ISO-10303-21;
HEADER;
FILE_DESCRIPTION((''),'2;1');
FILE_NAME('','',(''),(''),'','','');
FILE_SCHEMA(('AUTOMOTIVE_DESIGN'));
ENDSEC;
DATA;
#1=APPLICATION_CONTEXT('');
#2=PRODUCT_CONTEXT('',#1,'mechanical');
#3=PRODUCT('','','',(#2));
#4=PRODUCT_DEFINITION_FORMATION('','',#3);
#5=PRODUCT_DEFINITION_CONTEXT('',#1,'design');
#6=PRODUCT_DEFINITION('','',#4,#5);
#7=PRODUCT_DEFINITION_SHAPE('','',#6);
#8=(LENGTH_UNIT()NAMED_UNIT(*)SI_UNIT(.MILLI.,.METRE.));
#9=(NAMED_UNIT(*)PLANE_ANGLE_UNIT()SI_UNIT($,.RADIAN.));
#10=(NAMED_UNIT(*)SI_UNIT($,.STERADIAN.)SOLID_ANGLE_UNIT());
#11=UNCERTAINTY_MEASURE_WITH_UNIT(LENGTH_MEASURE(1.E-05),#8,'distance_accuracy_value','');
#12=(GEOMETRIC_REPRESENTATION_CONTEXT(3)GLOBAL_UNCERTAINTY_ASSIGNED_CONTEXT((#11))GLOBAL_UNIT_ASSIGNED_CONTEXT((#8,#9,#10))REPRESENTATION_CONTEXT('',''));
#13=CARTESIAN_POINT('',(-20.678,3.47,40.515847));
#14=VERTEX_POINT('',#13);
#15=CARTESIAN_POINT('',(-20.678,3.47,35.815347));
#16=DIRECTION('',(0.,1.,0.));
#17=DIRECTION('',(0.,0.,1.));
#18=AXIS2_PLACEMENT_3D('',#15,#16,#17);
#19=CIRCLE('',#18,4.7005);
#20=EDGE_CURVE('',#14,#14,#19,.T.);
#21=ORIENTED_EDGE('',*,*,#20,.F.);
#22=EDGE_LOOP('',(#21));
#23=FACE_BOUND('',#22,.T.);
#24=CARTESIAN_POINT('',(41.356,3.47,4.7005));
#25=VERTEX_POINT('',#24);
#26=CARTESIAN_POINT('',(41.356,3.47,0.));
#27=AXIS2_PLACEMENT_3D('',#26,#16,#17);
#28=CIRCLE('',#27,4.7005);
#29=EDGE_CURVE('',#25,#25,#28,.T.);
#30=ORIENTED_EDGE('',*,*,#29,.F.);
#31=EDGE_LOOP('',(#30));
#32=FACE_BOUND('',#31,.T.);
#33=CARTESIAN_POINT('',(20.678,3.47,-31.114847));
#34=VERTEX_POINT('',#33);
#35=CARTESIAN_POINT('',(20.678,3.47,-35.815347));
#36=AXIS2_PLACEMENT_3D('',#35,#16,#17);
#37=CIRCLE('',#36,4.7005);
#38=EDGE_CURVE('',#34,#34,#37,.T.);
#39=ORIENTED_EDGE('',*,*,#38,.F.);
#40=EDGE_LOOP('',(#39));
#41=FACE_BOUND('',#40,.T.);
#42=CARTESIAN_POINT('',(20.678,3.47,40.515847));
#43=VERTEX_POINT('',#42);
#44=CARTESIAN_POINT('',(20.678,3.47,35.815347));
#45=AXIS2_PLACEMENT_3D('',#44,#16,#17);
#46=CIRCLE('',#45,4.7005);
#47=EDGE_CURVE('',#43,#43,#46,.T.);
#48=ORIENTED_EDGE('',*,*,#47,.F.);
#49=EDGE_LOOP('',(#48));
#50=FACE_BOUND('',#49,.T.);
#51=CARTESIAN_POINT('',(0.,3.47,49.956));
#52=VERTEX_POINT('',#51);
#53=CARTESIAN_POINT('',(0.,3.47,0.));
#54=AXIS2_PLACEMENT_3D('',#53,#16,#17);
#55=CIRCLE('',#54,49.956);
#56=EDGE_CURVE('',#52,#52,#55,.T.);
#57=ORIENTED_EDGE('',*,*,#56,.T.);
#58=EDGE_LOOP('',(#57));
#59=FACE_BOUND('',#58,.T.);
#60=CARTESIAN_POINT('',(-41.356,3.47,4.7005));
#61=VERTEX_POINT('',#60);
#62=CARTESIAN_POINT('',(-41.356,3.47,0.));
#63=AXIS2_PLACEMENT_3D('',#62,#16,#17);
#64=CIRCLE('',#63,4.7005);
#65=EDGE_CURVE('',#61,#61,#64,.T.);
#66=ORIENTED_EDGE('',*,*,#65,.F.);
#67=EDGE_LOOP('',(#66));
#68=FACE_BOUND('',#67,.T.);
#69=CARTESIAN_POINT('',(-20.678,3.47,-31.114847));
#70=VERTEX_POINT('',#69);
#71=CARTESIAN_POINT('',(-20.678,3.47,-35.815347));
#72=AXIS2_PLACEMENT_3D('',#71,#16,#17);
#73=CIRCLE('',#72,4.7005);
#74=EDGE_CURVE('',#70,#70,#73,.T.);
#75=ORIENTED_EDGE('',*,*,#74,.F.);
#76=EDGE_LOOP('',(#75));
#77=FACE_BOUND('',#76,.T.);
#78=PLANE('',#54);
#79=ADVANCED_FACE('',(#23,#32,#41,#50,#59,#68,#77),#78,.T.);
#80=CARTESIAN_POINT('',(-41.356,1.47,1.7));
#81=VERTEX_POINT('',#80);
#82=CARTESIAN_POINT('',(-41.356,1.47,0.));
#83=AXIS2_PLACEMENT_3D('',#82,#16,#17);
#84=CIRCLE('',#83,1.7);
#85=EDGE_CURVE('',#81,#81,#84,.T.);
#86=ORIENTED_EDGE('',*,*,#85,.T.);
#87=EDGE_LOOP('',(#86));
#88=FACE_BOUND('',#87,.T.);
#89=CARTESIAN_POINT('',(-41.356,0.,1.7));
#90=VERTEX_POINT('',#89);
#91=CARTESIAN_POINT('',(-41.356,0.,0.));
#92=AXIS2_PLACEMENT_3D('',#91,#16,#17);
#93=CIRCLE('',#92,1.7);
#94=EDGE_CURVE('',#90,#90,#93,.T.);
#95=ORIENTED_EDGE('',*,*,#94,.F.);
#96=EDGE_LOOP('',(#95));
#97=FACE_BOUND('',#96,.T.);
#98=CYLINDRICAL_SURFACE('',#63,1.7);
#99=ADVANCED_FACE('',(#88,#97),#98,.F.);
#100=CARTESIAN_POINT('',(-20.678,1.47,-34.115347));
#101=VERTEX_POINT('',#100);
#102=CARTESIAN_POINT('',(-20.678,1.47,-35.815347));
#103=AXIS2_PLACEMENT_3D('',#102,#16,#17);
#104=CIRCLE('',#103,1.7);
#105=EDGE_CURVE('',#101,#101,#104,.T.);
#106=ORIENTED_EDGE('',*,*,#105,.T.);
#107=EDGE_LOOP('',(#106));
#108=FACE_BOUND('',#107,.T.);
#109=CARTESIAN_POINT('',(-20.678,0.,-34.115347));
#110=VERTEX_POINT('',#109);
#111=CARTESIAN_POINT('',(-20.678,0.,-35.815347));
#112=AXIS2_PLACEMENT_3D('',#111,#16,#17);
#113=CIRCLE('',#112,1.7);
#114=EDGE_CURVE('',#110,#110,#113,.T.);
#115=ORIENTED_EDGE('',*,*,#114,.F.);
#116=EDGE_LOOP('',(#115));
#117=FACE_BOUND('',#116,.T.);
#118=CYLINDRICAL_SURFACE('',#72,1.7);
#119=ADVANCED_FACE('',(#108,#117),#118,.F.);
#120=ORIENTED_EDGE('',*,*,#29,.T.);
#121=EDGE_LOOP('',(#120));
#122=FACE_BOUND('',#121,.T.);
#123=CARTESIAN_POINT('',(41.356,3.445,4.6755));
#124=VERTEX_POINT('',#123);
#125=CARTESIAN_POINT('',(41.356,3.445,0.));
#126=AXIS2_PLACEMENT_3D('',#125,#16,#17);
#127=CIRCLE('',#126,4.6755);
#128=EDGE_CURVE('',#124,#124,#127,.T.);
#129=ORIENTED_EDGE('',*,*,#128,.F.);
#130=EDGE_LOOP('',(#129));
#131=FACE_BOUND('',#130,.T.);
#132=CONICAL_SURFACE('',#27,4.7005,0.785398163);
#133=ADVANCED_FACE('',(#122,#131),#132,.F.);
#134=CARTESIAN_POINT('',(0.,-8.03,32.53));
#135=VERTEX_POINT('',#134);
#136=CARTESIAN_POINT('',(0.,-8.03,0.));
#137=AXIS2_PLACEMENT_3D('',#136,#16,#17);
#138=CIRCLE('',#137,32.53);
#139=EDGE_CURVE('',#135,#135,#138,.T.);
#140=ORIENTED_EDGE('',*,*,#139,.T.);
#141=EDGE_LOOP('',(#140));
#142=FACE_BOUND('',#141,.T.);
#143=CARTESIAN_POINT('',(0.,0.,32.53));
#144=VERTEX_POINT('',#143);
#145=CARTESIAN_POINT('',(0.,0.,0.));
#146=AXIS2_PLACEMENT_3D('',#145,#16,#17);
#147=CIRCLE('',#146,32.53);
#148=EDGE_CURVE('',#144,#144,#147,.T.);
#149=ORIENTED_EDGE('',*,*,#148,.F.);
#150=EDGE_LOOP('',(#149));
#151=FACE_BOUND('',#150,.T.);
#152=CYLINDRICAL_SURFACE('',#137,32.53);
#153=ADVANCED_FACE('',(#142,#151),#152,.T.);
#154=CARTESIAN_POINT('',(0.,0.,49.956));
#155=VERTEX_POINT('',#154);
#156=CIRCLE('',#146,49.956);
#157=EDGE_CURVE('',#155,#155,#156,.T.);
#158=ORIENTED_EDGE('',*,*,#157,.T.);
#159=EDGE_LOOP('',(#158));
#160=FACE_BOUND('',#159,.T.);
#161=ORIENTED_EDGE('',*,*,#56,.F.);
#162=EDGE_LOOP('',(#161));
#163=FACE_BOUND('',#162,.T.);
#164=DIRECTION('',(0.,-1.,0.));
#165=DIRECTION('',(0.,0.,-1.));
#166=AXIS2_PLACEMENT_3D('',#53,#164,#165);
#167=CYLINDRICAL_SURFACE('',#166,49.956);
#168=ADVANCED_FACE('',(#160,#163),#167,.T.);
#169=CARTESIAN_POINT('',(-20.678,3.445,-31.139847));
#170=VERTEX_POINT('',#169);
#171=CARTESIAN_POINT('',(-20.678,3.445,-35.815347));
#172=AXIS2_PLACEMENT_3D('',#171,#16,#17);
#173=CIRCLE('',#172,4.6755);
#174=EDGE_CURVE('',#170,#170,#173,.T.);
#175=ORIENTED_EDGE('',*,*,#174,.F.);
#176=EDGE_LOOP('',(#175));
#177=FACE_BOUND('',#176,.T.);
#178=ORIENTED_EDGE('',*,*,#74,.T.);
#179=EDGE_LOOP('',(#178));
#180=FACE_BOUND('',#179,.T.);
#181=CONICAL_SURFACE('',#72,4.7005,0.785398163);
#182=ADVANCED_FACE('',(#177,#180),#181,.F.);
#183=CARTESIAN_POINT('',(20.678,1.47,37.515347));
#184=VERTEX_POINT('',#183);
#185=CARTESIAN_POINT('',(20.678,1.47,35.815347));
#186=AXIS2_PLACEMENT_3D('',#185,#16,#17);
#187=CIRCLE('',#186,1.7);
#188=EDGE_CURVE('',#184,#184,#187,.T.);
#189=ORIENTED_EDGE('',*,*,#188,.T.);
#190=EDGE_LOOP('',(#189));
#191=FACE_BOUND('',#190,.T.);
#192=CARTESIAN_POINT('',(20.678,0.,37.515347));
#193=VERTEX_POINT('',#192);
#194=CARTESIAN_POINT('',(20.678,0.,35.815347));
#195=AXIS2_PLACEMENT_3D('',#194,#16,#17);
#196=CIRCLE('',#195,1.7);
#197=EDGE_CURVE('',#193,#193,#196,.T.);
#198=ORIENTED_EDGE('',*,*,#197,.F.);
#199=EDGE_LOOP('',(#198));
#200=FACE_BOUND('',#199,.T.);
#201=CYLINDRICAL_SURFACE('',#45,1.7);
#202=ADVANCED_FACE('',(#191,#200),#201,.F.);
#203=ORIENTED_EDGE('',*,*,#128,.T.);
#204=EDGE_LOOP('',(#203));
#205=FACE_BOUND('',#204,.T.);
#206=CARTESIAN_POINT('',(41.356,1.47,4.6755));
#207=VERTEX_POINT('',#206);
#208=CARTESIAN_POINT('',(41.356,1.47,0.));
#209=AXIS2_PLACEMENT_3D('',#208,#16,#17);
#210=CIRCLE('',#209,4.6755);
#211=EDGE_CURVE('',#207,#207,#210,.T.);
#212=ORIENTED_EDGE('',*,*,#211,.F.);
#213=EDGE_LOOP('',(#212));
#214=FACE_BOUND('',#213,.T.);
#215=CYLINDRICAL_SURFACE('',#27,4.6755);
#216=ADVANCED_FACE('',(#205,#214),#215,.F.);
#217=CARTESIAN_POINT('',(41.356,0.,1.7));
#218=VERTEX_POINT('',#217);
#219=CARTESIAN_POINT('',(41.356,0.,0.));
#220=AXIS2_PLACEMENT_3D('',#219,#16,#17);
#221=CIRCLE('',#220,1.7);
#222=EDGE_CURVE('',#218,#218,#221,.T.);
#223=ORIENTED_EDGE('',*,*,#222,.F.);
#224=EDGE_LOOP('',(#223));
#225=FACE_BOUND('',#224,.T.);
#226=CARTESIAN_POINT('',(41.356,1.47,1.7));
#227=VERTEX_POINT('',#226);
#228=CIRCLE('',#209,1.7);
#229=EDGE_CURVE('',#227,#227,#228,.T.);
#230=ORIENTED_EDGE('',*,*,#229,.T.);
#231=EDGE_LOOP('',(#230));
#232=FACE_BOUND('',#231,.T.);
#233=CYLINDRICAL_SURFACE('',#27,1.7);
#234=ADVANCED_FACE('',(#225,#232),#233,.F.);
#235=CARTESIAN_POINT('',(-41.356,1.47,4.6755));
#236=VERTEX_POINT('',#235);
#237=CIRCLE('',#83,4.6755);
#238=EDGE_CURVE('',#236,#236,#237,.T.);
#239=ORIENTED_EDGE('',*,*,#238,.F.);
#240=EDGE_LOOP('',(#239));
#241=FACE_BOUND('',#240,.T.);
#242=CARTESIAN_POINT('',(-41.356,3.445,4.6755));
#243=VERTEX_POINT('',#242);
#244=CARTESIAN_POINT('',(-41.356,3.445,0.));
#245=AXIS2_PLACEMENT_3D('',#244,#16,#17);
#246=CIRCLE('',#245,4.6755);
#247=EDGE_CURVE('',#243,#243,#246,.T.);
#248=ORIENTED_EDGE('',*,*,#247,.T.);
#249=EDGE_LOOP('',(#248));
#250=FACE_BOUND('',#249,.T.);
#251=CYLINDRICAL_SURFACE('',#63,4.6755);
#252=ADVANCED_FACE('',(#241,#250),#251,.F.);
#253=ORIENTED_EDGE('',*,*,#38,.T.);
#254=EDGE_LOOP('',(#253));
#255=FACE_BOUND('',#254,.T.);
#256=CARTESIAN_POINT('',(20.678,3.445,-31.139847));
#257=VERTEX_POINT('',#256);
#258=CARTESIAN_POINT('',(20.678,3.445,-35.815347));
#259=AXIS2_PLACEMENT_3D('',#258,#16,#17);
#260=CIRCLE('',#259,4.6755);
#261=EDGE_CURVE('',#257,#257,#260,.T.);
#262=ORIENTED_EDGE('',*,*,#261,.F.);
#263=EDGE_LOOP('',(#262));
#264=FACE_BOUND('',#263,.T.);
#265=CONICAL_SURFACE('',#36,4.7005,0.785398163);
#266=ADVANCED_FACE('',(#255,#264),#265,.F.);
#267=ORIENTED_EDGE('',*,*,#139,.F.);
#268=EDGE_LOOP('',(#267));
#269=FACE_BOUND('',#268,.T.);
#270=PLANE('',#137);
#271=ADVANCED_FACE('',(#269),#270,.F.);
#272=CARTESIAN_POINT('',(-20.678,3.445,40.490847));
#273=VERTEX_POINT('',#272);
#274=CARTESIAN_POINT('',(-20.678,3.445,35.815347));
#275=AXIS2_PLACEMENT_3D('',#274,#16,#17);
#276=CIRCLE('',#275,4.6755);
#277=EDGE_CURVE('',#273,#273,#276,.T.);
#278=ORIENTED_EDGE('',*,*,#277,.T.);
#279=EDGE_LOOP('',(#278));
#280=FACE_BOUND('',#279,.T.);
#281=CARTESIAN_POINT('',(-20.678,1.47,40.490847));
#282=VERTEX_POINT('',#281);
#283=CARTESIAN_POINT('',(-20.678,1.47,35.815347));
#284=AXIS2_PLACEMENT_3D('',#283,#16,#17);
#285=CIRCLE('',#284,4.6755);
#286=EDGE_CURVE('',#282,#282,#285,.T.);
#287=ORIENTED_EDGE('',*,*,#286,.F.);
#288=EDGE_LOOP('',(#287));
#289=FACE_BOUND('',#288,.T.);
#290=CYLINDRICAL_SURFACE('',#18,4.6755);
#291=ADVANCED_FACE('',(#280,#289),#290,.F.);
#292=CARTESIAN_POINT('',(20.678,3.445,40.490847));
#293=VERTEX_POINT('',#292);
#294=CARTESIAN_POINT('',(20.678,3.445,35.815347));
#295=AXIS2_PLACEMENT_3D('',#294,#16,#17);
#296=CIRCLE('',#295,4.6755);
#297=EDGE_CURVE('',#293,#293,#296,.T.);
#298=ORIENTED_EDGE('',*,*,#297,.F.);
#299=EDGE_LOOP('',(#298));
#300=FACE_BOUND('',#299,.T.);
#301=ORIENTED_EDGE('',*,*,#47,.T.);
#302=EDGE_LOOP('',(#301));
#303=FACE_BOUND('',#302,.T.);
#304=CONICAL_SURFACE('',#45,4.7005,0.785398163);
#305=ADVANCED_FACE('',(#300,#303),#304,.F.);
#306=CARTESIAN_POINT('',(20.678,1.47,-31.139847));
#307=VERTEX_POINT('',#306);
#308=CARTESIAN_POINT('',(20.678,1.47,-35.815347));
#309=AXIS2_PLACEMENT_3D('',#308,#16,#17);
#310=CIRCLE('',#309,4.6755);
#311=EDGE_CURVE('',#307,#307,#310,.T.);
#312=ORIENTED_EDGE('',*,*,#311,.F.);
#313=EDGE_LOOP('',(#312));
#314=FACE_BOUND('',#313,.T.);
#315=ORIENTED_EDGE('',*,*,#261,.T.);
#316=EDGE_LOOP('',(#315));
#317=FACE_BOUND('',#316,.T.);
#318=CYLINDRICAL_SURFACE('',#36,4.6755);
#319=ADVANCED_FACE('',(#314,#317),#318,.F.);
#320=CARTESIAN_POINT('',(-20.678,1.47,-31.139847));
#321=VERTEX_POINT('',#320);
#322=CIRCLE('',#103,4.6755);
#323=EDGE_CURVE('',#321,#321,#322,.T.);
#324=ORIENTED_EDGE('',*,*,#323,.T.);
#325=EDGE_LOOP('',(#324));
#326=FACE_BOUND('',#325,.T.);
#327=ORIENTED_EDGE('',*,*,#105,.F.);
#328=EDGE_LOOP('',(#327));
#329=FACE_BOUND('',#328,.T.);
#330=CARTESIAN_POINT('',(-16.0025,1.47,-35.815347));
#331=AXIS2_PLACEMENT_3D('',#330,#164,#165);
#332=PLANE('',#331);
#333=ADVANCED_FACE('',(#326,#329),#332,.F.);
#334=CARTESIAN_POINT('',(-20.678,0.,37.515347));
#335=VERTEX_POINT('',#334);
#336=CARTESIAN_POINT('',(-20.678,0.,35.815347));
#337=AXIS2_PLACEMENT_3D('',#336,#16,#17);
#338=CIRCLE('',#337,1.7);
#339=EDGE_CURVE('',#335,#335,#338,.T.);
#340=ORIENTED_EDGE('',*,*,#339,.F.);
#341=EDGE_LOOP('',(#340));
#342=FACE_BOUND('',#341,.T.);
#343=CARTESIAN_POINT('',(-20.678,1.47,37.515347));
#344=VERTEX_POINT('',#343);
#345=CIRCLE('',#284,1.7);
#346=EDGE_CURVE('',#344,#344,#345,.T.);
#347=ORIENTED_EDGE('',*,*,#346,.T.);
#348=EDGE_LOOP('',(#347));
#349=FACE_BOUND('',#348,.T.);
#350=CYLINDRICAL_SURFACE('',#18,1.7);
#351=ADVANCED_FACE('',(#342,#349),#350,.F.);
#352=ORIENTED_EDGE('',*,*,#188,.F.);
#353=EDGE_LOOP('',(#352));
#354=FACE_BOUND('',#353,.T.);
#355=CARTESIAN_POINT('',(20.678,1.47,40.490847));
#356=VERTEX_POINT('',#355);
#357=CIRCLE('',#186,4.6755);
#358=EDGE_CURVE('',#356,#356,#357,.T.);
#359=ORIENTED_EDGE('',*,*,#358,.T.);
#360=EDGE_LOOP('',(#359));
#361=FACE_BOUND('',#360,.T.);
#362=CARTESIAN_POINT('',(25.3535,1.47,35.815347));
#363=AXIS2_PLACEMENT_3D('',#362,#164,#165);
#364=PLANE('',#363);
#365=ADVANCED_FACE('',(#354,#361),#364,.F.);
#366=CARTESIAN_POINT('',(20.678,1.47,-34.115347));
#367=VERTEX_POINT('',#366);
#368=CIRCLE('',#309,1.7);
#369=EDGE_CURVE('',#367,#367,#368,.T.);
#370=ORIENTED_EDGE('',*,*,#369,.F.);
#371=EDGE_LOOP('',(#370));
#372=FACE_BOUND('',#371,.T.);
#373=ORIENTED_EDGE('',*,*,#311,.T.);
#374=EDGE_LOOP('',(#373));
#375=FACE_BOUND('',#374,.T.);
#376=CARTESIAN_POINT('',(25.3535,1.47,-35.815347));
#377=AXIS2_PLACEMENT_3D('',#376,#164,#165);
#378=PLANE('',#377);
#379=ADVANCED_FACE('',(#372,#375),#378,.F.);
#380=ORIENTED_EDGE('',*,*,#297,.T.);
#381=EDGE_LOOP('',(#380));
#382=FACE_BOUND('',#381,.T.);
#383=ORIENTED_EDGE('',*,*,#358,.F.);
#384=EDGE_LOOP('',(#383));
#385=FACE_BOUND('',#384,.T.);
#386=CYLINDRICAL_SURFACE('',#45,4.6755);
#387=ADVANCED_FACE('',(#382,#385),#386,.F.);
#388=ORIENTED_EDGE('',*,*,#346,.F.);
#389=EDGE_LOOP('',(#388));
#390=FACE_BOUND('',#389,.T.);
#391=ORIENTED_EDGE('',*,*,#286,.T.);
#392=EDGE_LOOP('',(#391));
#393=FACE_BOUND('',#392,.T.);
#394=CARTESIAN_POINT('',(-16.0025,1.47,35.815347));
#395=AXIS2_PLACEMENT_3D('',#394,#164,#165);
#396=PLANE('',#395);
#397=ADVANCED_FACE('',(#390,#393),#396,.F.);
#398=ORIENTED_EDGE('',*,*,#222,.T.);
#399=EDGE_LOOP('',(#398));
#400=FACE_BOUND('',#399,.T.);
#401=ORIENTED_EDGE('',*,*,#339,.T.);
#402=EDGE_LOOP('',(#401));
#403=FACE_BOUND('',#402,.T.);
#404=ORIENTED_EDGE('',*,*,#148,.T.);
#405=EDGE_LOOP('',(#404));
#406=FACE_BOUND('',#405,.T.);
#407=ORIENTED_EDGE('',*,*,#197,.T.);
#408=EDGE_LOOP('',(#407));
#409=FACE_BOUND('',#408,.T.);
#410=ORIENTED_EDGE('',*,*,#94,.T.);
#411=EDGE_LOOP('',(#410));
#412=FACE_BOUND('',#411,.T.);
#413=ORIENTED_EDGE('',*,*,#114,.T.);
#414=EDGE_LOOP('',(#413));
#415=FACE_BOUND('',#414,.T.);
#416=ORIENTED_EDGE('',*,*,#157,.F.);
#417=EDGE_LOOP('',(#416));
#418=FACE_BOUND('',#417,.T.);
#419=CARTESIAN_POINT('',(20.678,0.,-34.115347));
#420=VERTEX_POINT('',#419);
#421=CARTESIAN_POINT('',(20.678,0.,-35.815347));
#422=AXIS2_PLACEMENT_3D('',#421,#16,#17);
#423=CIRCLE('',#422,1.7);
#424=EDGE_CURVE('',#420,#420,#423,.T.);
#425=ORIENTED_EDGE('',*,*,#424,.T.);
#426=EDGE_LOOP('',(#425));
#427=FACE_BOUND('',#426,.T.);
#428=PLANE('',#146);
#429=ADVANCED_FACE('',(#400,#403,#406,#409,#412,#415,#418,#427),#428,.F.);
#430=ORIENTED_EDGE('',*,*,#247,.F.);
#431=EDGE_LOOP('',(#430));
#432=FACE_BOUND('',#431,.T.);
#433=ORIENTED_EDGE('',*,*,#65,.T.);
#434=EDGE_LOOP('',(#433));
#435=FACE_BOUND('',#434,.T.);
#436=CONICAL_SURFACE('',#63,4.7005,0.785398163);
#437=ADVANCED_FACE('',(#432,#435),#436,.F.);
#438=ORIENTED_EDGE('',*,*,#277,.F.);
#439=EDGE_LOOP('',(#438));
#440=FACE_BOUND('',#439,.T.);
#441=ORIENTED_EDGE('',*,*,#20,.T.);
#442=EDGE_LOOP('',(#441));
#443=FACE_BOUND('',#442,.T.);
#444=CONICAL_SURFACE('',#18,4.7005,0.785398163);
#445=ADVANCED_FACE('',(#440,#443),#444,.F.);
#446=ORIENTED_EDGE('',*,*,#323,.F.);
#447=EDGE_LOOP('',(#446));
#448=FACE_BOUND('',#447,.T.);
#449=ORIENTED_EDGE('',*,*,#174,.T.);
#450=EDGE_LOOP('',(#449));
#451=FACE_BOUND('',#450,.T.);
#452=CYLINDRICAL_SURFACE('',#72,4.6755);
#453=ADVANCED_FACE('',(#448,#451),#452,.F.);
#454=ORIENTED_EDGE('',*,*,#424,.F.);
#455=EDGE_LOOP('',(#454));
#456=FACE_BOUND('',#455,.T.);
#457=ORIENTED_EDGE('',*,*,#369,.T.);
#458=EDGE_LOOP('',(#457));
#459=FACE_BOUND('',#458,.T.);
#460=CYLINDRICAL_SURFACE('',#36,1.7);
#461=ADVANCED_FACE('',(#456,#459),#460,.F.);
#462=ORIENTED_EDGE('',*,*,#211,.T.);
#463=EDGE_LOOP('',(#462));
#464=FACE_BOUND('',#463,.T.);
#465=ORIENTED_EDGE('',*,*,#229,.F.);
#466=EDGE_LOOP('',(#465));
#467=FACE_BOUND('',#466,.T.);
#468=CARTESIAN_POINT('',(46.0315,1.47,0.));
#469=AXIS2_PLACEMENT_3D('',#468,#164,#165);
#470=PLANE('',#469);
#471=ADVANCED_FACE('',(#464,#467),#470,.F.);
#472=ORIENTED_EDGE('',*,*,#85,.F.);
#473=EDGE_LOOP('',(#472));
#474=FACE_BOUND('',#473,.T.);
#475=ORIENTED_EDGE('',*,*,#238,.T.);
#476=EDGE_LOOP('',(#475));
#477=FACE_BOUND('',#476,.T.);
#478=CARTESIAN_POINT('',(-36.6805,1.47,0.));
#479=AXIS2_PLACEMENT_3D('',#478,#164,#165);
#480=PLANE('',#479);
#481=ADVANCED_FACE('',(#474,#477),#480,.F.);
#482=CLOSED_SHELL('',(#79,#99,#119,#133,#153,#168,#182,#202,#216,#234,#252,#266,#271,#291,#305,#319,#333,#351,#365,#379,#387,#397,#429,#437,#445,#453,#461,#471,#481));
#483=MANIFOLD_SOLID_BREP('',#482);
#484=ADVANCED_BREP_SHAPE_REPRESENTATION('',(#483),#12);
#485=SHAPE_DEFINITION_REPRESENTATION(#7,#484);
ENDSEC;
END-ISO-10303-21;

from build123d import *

# Parameters (mm, degrees)
ESQUISSE1_R                                = 32.53
BOSS_EXTRU_1_DEPTH                         = 8.03
ESQUISSE2_R                                = 49.956
BOSS_EXTRU_2_DEPTH                         = 3.47
CHAMBRAGE_POUR_VIS_T_TE_HEXAGONALE_2_COUNT = 2
CHAMBRAGE_POUR_VIS_T_TE_HEXAGONALE_2_PITCH = 41.356
CHAMBRAGE_POUR_VIS_T_TE_HEXAGONALE_3_COUNT = 2
CHAMBRAGE_POUR_VIS_T_TE_HEXAGONALE_3_PITCH = 71.630693198
CHAMBRAGE_POUR_VIS_T_TE_HEXAGONALE_4_COUNT = 2
CHAMBRAGE_POUR_VIS_T_TE_HEXAGONALE_4_PITCH = 82.712
CHAMBRAGE_POUR_VIS_T_TE_HEXAGONALE_5_COUNT = 2
CHAMBRAGE_POUR_VIS_T_TE_HEXAGONALE_5_PITCH = 71.630693198
CHAMBRAGE_POUR_VIS_T_TE_HEXAGONALE_6_COUNT = 2
CHAMBRAGE_POUR_VIS_T_TE_HEXAGONALE_6_PITCH = 41.356


with BuildPart() as part:
    # Esquisse1 → Boss.-Extru.1 (new body)
    with BuildSketch(Plane(origin=(0, 0, 0), x_dir=(1, 0, 0), z_dir=(0, 1, 0))):
        Circle(ESQUISSE1_R)
    extrude(amount=-BOSS_EXTRU_1_DEPTH)

    # Esquisse2 → Boss.-Extru.2 (add)
    with BuildSketch(Plane(origin=(0, 0, 0), x_dir=(1, 0, 0), z_dir=(0, 1, 0))):
        Circle(ESQUISSE2_R)
    extrude(amount=BOSS_EXTRU_2_DEPTH)

    # Esquisse6 → Chambrage pour vis à tête hexagonale M33 (revolve, cut)
    with BuildSketch(Plane(origin=(-41.356, 3.47, 0), x_dir=(0, 0, 1), z_dir=(1, 0, 0))):
        Polygon((0, 0), (0, 11.5), (1.7, 11.5), (1.7, 2), (4.6755, 2), (4.6755, 0.025), (4.7005, 0), align=None)
    chambrage_pour_vis_t_te_hexagonale_m33 = revolve(axis=Axis((-41.356, 9.82, 0), (0, -1, 0)), mode=Mode.SUBTRACT)

    # Chambrage pour vis _ t_te hexagonale 2: Chambrage pour vis à tête hexagonale M33 ×2
    with Locations(*[Vector(0.5, 0, -0.866025404) * (i * CHAMBRAGE_POUR_VIS_T_TE_HEXAGONALE_2_PITCH) for i in range(1, CHAMBRAGE_POUR_VIS_T_TE_HEXAGONALE_2_COUNT)]):
        add(chambrage_pour_vis_t_te_hexagonale_m33, mode=Mode.SUBTRACT)

    # Chambrage pour vis _ t_te hexagonale 3: Chambrage pour vis à tête hexagonale M33 ×2
    with Locations(*[Vector(0.866025404, 0, -0.5) * (i * CHAMBRAGE_POUR_VIS_T_TE_HEXAGONALE_3_PITCH) for i in range(1, CHAMBRAGE_POUR_VIS_T_TE_HEXAGONALE_3_COUNT)]):
        add(chambrage_pour_vis_t_te_hexagonale_m33, mode=Mode.SUBTRACT)

    # Chambrage pour vis _ t_te hexagonale 4: Chambrage pour vis à tête hexagonale M33 ×2
    with Locations(*[(i * CHAMBRAGE_POUR_VIS_T_TE_HEXAGONALE_4_PITCH, 0, 0) for i in range(1, CHAMBRAGE_POUR_VIS_T_TE_HEXAGONALE_4_COUNT)]):
        add(chambrage_pour_vis_t_te_hexagonale_m33, mode=Mode.SUBTRACT)

    # Chambrage pour vis _ t_te hexagonale 5: Chambrage pour vis à tête hexagonale M33 ×2
    with Locations(*[Vector(0.866025404, 0, 0.5) * (i * CHAMBRAGE_POUR_VIS_T_TE_HEXAGONALE_5_PITCH) for i in range(1, CHAMBRAGE_POUR_VIS_T_TE_HEXAGONALE_5_COUNT)]):
        add(chambrage_pour_vis_t_te_hexagonale_m33, mode=Mode.SUBTRACT)

    # Chambrage pour vis _ t_te hexagonale 6: Chambrage pour vis à tête hexagonale M33 ×2
    with Locations(*[Vector(0.5, 0, 0.866025404) * (i * CHAMBRAGE_POUR_VIS_T_TE_HEXAGONALE_6_PITCH) for i in range(1, CHAMBRAGE_POUR_VIS_T_TE_HEXAGONALE_6_COUNT)]):
        add(chambrage_pour_vis_t_te_hexagonale_m33, mode=Mode.SUBTRACT)


solid = part.part
